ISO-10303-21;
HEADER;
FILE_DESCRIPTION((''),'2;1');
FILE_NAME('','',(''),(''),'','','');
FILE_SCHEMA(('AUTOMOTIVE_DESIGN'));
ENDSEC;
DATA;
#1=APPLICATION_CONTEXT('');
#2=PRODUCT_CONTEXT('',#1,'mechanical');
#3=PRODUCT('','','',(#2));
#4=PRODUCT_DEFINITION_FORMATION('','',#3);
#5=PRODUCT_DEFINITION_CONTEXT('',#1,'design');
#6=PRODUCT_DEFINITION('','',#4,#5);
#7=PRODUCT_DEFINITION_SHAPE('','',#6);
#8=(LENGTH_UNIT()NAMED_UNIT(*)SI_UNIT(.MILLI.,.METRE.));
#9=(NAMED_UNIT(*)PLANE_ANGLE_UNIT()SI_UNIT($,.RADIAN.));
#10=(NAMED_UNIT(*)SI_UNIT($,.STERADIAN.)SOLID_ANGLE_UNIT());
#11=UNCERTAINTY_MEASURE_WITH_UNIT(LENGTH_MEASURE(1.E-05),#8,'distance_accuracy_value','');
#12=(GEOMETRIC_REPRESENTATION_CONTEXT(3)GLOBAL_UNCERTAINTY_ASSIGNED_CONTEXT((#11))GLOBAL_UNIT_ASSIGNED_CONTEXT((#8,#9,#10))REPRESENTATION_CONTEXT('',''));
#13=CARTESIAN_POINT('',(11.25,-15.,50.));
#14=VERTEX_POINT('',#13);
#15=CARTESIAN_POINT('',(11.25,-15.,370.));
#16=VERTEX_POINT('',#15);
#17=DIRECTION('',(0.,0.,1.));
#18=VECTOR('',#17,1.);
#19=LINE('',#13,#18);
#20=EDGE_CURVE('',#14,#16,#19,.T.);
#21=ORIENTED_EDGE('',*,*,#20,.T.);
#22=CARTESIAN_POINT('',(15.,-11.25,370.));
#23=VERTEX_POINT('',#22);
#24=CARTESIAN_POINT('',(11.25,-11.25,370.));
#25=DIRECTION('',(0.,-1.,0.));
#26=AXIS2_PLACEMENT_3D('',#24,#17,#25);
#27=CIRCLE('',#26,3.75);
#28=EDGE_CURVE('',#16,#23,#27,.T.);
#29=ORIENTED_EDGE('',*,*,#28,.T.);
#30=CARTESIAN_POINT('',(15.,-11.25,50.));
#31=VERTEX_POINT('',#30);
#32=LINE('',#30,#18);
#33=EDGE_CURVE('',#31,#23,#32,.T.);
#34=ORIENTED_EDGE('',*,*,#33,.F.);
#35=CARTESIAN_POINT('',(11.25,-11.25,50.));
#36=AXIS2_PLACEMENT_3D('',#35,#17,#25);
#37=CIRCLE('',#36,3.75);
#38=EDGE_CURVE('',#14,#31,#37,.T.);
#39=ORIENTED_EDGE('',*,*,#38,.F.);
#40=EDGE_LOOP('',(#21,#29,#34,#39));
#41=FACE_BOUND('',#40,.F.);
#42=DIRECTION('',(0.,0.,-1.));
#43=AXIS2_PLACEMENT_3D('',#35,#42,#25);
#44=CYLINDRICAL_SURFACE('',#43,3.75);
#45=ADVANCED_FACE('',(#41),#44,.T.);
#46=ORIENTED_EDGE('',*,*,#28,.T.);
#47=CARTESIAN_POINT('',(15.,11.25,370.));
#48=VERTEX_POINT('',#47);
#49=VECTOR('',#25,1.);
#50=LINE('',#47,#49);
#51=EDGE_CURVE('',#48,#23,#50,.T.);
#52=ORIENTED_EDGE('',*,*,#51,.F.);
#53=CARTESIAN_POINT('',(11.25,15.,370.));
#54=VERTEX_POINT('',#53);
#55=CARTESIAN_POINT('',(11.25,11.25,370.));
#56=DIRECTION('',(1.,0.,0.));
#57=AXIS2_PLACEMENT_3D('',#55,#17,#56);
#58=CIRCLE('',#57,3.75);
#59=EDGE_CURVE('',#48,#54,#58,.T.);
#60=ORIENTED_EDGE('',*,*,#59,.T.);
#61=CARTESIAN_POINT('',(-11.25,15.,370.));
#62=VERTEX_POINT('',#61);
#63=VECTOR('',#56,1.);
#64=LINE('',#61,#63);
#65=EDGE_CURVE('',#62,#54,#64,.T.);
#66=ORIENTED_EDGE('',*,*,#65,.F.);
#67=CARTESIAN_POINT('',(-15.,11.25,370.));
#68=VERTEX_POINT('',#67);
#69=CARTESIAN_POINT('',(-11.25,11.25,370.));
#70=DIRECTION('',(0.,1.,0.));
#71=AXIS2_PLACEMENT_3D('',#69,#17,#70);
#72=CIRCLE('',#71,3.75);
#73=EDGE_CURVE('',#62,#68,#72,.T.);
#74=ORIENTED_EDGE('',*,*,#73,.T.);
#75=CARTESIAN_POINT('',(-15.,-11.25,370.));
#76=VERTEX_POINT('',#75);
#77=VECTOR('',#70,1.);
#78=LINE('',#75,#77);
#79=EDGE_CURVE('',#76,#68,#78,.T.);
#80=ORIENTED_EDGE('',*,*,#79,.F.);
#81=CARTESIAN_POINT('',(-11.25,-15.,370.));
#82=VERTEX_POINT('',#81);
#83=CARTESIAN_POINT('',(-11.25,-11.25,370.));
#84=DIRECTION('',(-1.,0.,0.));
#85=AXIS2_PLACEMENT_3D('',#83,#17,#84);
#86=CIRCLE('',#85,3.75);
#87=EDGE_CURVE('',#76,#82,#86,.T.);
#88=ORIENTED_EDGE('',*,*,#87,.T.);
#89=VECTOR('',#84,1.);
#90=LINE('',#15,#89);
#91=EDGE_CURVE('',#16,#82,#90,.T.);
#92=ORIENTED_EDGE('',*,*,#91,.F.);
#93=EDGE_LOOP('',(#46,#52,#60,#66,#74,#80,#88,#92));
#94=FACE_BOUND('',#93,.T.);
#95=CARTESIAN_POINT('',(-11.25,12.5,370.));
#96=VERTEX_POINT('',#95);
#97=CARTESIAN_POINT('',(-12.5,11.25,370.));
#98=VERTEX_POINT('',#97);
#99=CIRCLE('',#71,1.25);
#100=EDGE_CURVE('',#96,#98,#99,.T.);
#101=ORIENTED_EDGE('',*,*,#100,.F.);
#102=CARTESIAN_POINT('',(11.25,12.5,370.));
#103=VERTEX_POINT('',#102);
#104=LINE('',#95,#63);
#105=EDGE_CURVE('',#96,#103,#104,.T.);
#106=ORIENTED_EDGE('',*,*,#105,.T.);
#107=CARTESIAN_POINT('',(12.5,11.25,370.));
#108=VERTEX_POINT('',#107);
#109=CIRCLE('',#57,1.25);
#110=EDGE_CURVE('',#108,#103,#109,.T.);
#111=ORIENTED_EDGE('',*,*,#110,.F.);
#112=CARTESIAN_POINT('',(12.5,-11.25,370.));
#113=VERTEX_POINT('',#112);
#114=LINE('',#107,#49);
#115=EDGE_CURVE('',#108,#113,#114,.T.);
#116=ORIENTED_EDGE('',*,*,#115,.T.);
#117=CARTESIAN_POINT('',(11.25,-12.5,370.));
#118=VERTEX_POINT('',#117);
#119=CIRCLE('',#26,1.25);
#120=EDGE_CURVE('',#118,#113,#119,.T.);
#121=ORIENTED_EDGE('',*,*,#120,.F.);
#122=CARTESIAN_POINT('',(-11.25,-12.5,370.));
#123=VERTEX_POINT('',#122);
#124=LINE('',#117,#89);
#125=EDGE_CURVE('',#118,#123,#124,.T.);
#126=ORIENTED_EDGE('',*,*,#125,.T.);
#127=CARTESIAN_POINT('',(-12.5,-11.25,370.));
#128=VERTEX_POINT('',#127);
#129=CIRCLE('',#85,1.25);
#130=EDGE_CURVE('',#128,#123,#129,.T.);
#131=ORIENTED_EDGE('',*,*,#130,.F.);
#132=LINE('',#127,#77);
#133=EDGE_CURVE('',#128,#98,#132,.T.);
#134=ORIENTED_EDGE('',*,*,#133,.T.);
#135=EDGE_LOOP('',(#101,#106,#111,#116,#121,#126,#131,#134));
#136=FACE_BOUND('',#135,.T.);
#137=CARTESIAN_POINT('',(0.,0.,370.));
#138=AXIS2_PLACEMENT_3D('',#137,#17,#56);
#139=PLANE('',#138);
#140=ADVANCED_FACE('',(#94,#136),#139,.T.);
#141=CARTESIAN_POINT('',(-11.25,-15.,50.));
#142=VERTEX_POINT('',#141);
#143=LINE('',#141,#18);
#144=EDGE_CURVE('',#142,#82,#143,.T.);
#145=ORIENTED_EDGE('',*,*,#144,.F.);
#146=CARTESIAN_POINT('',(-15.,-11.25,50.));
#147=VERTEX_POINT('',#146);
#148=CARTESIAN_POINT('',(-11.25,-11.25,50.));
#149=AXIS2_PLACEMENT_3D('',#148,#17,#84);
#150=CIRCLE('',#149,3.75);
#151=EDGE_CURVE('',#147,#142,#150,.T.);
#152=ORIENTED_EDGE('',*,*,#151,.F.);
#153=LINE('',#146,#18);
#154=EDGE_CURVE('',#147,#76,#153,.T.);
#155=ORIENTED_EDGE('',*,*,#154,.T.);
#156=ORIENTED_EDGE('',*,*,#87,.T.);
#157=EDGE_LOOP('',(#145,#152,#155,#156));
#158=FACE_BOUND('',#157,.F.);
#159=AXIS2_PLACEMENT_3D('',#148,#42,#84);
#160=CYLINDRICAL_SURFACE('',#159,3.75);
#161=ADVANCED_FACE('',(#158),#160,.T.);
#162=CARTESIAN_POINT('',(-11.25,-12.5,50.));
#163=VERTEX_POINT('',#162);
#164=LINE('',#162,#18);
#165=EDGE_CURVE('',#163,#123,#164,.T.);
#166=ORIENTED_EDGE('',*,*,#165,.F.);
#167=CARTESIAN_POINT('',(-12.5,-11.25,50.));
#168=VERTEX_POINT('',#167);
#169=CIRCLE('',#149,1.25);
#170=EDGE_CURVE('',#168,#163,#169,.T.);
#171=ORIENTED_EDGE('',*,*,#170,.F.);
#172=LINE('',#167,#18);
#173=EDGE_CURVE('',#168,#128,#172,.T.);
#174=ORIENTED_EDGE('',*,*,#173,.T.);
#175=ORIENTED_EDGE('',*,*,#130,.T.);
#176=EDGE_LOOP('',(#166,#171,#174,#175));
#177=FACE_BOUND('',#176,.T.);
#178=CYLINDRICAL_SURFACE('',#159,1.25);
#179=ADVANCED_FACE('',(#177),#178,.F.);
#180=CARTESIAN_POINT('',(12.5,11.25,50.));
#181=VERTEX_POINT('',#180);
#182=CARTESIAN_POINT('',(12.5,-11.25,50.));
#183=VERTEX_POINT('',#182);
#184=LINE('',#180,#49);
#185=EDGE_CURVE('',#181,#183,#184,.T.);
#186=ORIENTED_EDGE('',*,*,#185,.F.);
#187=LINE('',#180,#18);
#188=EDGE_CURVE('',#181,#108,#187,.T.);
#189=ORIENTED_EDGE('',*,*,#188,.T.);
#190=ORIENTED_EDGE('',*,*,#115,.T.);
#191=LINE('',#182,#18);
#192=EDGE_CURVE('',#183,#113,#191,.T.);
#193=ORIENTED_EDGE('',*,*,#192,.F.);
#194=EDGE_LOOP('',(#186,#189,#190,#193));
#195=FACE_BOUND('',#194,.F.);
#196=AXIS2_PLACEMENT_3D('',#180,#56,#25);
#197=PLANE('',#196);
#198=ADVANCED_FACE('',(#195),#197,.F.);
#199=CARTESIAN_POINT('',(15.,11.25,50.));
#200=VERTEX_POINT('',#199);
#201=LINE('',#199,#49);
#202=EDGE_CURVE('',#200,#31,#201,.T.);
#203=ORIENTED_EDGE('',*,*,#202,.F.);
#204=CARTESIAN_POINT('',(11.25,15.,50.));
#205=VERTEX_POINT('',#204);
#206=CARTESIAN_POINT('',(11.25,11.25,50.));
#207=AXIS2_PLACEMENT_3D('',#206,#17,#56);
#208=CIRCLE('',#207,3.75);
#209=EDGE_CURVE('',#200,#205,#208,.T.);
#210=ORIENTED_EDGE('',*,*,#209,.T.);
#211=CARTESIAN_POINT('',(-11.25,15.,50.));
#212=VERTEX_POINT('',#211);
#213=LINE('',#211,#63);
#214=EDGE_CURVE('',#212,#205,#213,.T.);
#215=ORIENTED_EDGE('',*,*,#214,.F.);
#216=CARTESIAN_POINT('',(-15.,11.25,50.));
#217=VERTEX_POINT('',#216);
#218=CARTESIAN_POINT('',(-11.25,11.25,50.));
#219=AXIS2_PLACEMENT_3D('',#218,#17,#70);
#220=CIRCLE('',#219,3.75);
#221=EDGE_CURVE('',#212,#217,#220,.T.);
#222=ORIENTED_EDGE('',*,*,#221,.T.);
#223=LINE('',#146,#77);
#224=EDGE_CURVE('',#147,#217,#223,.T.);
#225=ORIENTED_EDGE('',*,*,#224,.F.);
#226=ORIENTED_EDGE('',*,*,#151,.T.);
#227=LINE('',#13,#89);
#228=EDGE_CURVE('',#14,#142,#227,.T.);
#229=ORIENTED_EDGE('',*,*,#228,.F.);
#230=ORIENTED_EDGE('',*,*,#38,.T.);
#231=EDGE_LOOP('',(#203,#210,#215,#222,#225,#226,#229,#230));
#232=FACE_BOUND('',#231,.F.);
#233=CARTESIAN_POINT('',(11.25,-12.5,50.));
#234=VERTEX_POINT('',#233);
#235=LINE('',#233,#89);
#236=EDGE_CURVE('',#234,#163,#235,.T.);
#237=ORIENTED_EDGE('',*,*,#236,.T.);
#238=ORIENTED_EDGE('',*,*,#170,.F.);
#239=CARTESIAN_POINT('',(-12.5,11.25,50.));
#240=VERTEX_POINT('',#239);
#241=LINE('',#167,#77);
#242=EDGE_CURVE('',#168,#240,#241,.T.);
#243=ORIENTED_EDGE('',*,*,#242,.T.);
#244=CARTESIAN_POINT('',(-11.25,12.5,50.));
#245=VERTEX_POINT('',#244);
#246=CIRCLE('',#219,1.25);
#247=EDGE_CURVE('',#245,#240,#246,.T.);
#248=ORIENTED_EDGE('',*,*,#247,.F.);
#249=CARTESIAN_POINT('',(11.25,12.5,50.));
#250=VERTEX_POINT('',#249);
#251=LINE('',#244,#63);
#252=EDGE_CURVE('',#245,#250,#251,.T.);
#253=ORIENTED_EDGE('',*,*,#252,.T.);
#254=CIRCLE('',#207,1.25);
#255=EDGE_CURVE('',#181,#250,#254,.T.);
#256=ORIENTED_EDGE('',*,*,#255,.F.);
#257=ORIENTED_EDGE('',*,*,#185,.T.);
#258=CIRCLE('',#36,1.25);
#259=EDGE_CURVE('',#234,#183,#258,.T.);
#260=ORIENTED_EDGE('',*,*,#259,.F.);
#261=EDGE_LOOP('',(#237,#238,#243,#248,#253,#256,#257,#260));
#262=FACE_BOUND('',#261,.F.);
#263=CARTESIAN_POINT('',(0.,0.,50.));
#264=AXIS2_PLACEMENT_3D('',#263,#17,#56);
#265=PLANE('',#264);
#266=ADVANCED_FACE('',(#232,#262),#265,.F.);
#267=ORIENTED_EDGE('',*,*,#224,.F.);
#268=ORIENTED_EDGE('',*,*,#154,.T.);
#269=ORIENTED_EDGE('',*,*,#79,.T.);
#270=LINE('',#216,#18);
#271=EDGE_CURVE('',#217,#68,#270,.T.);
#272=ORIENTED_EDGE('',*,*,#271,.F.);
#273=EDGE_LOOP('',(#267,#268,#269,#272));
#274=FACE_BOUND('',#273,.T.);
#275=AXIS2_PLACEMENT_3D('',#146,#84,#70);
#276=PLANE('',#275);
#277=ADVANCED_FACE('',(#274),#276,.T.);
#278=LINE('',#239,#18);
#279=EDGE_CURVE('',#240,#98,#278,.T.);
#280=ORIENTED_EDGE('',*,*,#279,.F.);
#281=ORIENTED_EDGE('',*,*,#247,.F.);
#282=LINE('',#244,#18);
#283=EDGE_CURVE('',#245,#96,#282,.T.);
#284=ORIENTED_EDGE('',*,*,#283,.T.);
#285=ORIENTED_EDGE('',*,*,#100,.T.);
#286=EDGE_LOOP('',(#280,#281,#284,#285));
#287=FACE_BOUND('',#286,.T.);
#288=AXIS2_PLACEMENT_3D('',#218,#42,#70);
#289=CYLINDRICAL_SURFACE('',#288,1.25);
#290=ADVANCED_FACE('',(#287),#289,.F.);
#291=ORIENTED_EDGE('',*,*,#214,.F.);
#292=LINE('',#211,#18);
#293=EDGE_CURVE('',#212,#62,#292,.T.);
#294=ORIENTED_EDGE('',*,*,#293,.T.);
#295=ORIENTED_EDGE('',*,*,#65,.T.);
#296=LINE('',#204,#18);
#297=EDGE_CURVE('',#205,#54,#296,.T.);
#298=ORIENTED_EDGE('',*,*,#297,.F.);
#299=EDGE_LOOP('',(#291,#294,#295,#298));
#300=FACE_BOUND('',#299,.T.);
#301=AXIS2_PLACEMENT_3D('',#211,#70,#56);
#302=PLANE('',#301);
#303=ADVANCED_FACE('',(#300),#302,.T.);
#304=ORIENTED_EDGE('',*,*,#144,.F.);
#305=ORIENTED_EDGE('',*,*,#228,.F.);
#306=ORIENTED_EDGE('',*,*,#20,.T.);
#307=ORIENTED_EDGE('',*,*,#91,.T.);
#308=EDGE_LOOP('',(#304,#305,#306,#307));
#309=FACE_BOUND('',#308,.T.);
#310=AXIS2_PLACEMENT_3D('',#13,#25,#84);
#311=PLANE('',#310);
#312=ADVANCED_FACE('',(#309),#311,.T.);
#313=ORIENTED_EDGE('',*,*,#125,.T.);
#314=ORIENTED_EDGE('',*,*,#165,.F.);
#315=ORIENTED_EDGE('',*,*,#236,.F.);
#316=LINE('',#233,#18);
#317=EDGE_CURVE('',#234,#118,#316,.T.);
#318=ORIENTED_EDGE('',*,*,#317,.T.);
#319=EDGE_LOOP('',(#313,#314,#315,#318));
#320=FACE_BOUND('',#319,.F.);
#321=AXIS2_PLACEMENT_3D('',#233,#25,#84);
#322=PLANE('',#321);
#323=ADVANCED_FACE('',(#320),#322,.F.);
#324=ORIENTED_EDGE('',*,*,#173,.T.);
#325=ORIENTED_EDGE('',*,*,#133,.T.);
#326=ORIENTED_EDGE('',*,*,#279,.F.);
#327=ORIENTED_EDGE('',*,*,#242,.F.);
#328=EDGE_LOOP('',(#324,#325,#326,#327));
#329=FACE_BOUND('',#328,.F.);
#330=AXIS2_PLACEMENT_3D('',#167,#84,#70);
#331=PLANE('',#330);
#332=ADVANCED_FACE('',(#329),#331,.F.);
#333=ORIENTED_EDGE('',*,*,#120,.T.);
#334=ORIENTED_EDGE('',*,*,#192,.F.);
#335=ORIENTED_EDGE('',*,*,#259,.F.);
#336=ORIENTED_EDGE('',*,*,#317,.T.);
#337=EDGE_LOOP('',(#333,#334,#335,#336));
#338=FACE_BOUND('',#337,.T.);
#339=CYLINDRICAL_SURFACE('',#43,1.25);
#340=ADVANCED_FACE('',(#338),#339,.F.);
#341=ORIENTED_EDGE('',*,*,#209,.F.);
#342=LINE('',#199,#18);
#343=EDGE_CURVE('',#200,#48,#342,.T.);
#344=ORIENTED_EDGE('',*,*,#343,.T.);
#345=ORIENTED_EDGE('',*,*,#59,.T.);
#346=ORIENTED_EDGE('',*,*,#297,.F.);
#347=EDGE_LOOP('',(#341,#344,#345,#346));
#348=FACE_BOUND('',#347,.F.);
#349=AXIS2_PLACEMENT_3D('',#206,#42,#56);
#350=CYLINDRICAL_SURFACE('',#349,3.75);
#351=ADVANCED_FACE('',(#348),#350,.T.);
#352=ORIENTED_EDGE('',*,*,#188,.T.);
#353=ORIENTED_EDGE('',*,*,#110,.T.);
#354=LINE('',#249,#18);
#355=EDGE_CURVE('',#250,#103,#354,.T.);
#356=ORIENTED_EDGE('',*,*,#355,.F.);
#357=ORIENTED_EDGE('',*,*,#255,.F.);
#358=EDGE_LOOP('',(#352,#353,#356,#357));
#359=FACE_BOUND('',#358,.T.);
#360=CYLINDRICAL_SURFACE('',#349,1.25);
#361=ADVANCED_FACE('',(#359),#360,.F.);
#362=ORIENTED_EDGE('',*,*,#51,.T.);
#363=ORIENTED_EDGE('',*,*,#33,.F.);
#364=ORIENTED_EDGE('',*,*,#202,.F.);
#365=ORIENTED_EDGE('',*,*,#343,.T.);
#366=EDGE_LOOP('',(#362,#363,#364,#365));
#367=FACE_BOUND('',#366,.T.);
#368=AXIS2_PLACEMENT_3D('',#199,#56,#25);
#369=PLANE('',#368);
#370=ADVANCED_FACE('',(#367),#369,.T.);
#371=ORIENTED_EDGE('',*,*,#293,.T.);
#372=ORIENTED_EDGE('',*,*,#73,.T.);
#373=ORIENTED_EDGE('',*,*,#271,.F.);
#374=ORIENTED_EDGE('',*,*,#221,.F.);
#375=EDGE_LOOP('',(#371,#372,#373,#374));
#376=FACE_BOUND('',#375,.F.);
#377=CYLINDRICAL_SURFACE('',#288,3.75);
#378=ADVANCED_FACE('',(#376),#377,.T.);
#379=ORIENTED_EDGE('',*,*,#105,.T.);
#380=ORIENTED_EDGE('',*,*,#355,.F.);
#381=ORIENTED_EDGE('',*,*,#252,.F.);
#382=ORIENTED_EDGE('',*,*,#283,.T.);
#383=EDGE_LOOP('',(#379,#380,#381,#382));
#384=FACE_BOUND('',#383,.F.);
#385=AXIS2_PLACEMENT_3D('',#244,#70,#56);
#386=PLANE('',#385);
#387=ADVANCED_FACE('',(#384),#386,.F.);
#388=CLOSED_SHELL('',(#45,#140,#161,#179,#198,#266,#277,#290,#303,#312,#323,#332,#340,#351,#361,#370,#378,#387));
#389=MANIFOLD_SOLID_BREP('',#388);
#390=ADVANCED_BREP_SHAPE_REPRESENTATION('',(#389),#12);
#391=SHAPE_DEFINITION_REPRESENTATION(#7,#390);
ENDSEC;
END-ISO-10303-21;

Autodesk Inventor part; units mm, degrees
ref_plane "Start plane" through (0, 0, 50) normal (0, 0, 1) x (1, 0, 0)
ref_plane "End plane" through (0, 0, 370) normal (0, 0, 1) x (1, 0, 0)
sketch "Sketch" plane through (0, 0, 0) normal (0, 0, 1) x (1, 0, 0)
  line L0 (-15, -11.25) -> (-15, 11.25)
  line L1 (-11.25, 15) -> (11.25, 15)
  line L2 (15, 11.25) -> (15, -11.25)
  line L3 (11.25, -15) -> (-11.25, -15)
  arc A0 (-15, -11.25) -> (-11.25, -15) centre (-11.25, -11.25) ccw
  arc A1 (-11.25, 15) -> (-15, 11.25) centre (-11.25, 11.25) ccw
  arc A2 (15, 11.25) -> (11.25, 15) centre (11.25, 11.25) ccw
  arc A3 (11.25, -15) -> (15, -11.25) centre (11.25, -11.25) ccw
  arc A4 (-11.25, 12.5) -> (-12.5, 11.25) centre (-11.25, 11.25) ccw
  line L4 (-11.25, 12.5) -> (11.25, 12.5)
  arc A5 (12.5, 11.25) -> (11.25, 12.5) centre (11.25, 11.25) ccw
  line L5 (12.5, 11.25) -> (12.5, -11.25)
  arc A6 (11.25, -12.5) -> (12.5, -11.25) centre (11.25, -11.25) ccw
  line L6 (11.25, -12.5) -> (-11.25, -12.5)
  arc A7 (-12.5, -11.25) -> (-11.25, -12.5) centre (-11.25, -11.25) ccw
  line L7 (-12.5, -11.25) -> (-12.5, 11.25)
  line L8 (0, 22.0873) -> (0, -22.0873) construction
  line L9 (-22.0873, 0) -> (22.0873, 0) construction
  dimension "d7" = 3.75
  dimension "d10" = 30
  dimension "d11" = 30
  dimension "d12" = 2.5
  dimension "d15" = 15
  dimension "d16" = 15
extrude "Body" add sketch "Sketch" along normal up to surface (320 mm away) from surface at 50
sketch "Sketch3" plane through (0, 0, 0) normal (0, 0, 1) x (1, 0, 0)
  line L0 (0, 0) -> (10, 0)
ref_plane "Work Plane3" through (0, 0, 0) normal (0, -1, 0) x (1, 0, 0)
sketch "Sketch4" plane through (0, 0, 0) normal (0, -1, 0) x (1, 0, 0)
  line L0 (-2, 50) -> (12, 50)
  line L1 (-2, 370) -> (12, 370)
  dimension "d18" = 320
ref_plane "Work Plane4" through (-9.2, 565, 50) normal (0, 0, -1) x (-1, 0, 0)
split "Split1" plane through (-9.2, 565, 50) removes the side toward (0, 0, -1)
ref_plane "Work Plane5" through (605, -11.25, 370) normal (0, 0, 1) x (1, 0, 0)
split "Split2" plane through (605, -11.25, 370) removes the side toward (0, 0, 1)
equation "\"d7\" = G_IR"
equation "\"d10\" = G_H"
equation "\"d11\" = G_W"
equation "\"d12\" = G_T"
equation "\"d15\" = 0.5 * d10"
equation "\"d16\" = 0.5 * d11"
equation "\"d3\" = G_L"
equation "\"G_W\" = 30"
equation "\"G_H\" = 30"
equation "\"G_T\" = 2.5"
equation "\"G_IR\" = 3.75"
equation "\"G_L\" = d18"
properties part number "DIN EN 10305-5 - 30 x 30 x 2,5  - 320" material "Steel, Mild"
